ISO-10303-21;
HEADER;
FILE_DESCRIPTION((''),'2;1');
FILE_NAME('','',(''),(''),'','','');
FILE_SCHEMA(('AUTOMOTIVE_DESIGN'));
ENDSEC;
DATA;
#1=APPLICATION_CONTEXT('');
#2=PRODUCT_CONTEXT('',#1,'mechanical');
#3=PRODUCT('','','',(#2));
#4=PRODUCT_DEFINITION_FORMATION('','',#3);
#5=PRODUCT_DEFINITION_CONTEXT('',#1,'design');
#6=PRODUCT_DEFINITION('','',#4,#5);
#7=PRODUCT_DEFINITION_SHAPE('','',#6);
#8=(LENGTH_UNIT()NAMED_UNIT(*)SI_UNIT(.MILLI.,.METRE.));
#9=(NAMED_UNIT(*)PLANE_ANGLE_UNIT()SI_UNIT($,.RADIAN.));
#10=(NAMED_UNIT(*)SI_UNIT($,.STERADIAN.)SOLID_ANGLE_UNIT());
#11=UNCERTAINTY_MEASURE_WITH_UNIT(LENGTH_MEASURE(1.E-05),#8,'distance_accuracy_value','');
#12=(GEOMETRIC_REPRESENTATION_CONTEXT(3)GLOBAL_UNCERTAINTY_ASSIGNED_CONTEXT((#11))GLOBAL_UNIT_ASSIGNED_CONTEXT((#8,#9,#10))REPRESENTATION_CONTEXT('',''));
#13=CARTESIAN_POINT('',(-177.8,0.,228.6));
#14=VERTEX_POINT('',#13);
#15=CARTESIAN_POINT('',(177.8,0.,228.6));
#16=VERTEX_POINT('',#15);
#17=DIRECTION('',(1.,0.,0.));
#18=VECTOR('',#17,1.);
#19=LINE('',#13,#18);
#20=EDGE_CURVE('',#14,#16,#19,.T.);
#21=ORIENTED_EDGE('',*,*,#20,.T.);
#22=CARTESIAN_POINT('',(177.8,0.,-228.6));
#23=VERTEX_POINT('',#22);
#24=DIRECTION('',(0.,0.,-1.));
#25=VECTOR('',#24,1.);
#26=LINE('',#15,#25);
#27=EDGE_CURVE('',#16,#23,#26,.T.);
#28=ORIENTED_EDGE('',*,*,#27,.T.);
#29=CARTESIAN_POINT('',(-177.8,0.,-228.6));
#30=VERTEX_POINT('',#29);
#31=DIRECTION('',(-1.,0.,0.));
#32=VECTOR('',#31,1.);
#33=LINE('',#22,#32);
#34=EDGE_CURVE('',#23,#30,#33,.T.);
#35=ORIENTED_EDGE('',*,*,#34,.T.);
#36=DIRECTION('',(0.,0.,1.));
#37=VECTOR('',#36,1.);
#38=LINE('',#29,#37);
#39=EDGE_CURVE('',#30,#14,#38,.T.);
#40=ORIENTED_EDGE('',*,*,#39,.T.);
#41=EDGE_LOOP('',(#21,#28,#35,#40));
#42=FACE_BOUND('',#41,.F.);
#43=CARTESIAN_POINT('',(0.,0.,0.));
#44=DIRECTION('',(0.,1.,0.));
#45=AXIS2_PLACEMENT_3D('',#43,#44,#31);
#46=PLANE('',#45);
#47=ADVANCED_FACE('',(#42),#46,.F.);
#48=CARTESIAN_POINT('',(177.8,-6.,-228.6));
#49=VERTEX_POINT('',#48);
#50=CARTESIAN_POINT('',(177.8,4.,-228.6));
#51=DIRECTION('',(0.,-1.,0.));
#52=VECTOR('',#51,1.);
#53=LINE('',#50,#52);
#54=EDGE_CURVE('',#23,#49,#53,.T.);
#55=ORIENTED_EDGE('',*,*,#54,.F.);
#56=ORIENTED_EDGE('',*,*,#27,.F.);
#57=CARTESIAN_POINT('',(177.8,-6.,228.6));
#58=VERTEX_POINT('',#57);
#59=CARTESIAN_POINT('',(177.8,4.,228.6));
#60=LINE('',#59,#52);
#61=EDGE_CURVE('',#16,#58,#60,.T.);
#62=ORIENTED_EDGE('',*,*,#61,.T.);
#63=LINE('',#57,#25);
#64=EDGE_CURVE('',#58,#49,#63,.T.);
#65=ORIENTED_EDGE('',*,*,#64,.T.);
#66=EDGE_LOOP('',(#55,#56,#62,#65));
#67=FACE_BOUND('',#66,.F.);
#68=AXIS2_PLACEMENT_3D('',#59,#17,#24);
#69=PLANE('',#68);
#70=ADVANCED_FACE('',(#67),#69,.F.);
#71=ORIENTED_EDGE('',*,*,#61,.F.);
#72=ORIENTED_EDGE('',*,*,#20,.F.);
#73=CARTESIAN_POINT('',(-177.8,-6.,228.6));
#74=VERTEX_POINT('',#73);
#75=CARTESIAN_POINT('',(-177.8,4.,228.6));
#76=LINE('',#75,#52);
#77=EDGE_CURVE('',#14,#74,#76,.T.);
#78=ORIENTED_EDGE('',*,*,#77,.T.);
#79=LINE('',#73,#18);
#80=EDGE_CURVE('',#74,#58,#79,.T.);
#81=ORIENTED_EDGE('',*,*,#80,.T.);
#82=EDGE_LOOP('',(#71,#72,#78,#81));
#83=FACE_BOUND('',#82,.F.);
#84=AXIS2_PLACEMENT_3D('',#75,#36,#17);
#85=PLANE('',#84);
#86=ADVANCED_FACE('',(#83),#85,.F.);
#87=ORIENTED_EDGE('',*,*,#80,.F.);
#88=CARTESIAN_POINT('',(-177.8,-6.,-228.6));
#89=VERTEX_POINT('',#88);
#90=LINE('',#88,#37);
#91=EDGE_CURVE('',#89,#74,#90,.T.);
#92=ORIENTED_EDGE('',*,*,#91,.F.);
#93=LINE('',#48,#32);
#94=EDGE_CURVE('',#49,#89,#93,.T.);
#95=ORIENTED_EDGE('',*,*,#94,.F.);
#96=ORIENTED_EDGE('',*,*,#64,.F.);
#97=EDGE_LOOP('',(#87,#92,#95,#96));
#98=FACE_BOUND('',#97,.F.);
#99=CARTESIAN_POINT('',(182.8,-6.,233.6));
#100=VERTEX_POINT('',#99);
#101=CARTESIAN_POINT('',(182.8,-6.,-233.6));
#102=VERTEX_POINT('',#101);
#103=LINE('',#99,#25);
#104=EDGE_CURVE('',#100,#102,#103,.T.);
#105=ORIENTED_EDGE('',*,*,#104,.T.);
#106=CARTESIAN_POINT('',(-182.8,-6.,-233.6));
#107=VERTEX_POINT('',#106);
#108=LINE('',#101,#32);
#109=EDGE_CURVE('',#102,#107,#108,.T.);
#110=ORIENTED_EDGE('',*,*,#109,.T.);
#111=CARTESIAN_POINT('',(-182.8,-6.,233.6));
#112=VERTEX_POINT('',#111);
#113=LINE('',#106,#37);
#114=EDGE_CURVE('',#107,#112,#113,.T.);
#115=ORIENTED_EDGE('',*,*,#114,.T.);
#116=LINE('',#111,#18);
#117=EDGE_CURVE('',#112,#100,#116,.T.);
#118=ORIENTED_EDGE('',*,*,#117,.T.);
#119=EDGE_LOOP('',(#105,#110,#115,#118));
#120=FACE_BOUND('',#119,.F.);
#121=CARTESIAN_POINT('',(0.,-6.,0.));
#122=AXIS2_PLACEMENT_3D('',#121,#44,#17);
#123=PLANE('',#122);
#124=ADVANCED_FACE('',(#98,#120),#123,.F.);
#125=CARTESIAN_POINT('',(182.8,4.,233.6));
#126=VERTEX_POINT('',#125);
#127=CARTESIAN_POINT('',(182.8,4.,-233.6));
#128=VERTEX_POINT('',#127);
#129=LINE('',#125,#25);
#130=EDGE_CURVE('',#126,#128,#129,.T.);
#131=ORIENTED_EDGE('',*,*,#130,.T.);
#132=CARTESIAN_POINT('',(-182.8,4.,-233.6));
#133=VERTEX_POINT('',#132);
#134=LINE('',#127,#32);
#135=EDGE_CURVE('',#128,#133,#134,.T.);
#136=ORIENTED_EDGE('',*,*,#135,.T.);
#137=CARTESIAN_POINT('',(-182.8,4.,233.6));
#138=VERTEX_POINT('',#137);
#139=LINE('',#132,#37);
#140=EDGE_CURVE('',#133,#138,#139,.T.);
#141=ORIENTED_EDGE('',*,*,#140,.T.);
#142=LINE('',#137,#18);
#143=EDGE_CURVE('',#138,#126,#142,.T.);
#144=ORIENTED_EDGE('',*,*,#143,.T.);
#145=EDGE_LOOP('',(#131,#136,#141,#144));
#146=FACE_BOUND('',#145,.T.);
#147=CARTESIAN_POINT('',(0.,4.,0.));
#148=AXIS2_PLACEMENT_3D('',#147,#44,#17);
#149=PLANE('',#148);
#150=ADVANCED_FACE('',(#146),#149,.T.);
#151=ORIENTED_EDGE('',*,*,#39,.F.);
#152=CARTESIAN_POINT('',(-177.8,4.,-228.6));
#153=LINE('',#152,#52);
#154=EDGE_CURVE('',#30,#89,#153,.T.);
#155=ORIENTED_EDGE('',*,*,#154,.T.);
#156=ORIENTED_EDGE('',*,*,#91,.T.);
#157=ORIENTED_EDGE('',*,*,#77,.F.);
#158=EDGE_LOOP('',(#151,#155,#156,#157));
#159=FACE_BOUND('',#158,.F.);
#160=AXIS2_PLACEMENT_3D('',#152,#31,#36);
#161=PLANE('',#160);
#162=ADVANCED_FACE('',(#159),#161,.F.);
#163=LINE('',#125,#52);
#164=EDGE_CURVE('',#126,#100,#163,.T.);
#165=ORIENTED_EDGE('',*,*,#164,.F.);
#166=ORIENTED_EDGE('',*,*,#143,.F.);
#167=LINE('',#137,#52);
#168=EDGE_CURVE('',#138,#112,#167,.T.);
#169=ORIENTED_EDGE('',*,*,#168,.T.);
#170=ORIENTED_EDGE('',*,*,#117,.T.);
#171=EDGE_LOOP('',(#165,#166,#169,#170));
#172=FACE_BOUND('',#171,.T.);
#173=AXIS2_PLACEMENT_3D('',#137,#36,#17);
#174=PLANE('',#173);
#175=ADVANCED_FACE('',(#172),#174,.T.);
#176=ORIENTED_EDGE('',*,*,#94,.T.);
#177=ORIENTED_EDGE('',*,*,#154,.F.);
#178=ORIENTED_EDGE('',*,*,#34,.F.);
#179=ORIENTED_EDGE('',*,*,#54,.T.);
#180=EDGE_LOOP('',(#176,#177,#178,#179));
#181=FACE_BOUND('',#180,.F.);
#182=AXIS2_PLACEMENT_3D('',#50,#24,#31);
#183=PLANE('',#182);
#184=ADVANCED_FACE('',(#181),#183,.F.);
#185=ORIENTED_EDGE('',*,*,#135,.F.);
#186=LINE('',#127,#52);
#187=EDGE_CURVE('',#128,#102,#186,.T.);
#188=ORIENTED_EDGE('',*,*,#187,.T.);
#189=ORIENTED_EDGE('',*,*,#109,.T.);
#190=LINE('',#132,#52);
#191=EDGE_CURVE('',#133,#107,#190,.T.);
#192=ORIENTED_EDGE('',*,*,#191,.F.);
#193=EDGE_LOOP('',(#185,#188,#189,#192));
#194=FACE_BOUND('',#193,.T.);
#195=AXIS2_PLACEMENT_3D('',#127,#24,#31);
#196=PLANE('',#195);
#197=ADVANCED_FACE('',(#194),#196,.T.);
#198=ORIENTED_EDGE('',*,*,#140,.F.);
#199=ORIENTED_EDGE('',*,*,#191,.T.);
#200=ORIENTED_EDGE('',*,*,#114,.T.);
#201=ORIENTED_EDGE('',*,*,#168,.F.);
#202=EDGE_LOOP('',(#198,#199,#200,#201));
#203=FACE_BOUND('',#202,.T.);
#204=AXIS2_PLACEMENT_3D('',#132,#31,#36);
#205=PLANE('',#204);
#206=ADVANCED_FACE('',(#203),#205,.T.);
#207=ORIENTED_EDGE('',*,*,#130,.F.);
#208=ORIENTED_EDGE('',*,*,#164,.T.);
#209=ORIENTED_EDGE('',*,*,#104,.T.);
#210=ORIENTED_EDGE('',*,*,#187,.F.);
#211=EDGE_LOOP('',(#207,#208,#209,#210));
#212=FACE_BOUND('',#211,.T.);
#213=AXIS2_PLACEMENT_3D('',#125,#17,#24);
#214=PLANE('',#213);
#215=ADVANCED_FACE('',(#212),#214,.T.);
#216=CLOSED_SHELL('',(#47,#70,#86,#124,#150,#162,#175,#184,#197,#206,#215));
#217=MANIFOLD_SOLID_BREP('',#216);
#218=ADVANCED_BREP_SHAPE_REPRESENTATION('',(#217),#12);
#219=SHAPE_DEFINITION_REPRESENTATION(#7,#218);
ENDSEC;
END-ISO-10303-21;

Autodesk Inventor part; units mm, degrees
ref_plane "YZ Plane" through (0, 0, 0) normal (1, 0, 0) x (0, 1, 0)
ref_plane "XZ Plane" through (0, 0, 0) normal (0, 1, 0) x (-1, 0, 0)
ref_plane "XY Plane" through (0, 0, 0) normal (0, 0, 1) x (1, 0, 0)
sketch "Sketch1" plane through (0, 0, 0) normal (0, 1, 0) x (-1, 0, 0)
  line L0 (177.8, 228.6) -> (-177.8, 228.6)
  line L1 (-177.8, 228.6) -> (-177.8, -228.6)
  line L2 (-177.8, -228.6) -> (177.8, -228.6)
  line L3 (177.8, -228.6) -> (177.8, 228.6)
  line L4 (177.8, 228.6) -> (-177.8, -228.6) construction
  line L5 (-177.8, 228.6) -> (177.8, -228.6) construction
  point P0 (0, 0)
  dimension "d0" = 457.2
  dimension "d1" = 355.6
extrude "Extrusion1" add sketch "Sketch1" along normal blind 4
sketch "Sketch2" plane through (0, 4, 0) normal (0, 1, 0) x (1, 0, 0)
  line L0 (-182.8, -233.6) -> (182.8, -233.6)
  line L1 (182.8, -233.6) -> (182.8, 233.6)
  line L2 (182.8, 233.6) -> (-182.8, 233.6)
  line L3 (-182.8, 233.6) -> (-182.8, -233.6)
  line L4 (-182.8, -233.6) -> (182.8, 233.6) construction
  line L5 (182.8, -233.6) -> (-182.8, 233.6) construction
  line L6 (-177.8, 228.6) -> (-177.8, -228.6) projected
  line L7 (-177.8, -228.6) -> (177.8, -228.6) projected
  line L8 (177.8, -228.6) -> (177.8, 228.6) projected
  line L9 (177.8, 228.6) -> (-177.8, 228.6) projected
  line L10 (-177.8, 228.6) -> (-177.8, -228.6) projected
  line L11 (-177.8, -228.6) -> (177.8, -228.6) projected
  point P0 (0, 0)
  dimension "d4" = 5
  dimension "d5" = 5
extrude "Extrusion2" add sketch "Sketch2" against normal blind 10
properties part number "Placeholder_tray"
